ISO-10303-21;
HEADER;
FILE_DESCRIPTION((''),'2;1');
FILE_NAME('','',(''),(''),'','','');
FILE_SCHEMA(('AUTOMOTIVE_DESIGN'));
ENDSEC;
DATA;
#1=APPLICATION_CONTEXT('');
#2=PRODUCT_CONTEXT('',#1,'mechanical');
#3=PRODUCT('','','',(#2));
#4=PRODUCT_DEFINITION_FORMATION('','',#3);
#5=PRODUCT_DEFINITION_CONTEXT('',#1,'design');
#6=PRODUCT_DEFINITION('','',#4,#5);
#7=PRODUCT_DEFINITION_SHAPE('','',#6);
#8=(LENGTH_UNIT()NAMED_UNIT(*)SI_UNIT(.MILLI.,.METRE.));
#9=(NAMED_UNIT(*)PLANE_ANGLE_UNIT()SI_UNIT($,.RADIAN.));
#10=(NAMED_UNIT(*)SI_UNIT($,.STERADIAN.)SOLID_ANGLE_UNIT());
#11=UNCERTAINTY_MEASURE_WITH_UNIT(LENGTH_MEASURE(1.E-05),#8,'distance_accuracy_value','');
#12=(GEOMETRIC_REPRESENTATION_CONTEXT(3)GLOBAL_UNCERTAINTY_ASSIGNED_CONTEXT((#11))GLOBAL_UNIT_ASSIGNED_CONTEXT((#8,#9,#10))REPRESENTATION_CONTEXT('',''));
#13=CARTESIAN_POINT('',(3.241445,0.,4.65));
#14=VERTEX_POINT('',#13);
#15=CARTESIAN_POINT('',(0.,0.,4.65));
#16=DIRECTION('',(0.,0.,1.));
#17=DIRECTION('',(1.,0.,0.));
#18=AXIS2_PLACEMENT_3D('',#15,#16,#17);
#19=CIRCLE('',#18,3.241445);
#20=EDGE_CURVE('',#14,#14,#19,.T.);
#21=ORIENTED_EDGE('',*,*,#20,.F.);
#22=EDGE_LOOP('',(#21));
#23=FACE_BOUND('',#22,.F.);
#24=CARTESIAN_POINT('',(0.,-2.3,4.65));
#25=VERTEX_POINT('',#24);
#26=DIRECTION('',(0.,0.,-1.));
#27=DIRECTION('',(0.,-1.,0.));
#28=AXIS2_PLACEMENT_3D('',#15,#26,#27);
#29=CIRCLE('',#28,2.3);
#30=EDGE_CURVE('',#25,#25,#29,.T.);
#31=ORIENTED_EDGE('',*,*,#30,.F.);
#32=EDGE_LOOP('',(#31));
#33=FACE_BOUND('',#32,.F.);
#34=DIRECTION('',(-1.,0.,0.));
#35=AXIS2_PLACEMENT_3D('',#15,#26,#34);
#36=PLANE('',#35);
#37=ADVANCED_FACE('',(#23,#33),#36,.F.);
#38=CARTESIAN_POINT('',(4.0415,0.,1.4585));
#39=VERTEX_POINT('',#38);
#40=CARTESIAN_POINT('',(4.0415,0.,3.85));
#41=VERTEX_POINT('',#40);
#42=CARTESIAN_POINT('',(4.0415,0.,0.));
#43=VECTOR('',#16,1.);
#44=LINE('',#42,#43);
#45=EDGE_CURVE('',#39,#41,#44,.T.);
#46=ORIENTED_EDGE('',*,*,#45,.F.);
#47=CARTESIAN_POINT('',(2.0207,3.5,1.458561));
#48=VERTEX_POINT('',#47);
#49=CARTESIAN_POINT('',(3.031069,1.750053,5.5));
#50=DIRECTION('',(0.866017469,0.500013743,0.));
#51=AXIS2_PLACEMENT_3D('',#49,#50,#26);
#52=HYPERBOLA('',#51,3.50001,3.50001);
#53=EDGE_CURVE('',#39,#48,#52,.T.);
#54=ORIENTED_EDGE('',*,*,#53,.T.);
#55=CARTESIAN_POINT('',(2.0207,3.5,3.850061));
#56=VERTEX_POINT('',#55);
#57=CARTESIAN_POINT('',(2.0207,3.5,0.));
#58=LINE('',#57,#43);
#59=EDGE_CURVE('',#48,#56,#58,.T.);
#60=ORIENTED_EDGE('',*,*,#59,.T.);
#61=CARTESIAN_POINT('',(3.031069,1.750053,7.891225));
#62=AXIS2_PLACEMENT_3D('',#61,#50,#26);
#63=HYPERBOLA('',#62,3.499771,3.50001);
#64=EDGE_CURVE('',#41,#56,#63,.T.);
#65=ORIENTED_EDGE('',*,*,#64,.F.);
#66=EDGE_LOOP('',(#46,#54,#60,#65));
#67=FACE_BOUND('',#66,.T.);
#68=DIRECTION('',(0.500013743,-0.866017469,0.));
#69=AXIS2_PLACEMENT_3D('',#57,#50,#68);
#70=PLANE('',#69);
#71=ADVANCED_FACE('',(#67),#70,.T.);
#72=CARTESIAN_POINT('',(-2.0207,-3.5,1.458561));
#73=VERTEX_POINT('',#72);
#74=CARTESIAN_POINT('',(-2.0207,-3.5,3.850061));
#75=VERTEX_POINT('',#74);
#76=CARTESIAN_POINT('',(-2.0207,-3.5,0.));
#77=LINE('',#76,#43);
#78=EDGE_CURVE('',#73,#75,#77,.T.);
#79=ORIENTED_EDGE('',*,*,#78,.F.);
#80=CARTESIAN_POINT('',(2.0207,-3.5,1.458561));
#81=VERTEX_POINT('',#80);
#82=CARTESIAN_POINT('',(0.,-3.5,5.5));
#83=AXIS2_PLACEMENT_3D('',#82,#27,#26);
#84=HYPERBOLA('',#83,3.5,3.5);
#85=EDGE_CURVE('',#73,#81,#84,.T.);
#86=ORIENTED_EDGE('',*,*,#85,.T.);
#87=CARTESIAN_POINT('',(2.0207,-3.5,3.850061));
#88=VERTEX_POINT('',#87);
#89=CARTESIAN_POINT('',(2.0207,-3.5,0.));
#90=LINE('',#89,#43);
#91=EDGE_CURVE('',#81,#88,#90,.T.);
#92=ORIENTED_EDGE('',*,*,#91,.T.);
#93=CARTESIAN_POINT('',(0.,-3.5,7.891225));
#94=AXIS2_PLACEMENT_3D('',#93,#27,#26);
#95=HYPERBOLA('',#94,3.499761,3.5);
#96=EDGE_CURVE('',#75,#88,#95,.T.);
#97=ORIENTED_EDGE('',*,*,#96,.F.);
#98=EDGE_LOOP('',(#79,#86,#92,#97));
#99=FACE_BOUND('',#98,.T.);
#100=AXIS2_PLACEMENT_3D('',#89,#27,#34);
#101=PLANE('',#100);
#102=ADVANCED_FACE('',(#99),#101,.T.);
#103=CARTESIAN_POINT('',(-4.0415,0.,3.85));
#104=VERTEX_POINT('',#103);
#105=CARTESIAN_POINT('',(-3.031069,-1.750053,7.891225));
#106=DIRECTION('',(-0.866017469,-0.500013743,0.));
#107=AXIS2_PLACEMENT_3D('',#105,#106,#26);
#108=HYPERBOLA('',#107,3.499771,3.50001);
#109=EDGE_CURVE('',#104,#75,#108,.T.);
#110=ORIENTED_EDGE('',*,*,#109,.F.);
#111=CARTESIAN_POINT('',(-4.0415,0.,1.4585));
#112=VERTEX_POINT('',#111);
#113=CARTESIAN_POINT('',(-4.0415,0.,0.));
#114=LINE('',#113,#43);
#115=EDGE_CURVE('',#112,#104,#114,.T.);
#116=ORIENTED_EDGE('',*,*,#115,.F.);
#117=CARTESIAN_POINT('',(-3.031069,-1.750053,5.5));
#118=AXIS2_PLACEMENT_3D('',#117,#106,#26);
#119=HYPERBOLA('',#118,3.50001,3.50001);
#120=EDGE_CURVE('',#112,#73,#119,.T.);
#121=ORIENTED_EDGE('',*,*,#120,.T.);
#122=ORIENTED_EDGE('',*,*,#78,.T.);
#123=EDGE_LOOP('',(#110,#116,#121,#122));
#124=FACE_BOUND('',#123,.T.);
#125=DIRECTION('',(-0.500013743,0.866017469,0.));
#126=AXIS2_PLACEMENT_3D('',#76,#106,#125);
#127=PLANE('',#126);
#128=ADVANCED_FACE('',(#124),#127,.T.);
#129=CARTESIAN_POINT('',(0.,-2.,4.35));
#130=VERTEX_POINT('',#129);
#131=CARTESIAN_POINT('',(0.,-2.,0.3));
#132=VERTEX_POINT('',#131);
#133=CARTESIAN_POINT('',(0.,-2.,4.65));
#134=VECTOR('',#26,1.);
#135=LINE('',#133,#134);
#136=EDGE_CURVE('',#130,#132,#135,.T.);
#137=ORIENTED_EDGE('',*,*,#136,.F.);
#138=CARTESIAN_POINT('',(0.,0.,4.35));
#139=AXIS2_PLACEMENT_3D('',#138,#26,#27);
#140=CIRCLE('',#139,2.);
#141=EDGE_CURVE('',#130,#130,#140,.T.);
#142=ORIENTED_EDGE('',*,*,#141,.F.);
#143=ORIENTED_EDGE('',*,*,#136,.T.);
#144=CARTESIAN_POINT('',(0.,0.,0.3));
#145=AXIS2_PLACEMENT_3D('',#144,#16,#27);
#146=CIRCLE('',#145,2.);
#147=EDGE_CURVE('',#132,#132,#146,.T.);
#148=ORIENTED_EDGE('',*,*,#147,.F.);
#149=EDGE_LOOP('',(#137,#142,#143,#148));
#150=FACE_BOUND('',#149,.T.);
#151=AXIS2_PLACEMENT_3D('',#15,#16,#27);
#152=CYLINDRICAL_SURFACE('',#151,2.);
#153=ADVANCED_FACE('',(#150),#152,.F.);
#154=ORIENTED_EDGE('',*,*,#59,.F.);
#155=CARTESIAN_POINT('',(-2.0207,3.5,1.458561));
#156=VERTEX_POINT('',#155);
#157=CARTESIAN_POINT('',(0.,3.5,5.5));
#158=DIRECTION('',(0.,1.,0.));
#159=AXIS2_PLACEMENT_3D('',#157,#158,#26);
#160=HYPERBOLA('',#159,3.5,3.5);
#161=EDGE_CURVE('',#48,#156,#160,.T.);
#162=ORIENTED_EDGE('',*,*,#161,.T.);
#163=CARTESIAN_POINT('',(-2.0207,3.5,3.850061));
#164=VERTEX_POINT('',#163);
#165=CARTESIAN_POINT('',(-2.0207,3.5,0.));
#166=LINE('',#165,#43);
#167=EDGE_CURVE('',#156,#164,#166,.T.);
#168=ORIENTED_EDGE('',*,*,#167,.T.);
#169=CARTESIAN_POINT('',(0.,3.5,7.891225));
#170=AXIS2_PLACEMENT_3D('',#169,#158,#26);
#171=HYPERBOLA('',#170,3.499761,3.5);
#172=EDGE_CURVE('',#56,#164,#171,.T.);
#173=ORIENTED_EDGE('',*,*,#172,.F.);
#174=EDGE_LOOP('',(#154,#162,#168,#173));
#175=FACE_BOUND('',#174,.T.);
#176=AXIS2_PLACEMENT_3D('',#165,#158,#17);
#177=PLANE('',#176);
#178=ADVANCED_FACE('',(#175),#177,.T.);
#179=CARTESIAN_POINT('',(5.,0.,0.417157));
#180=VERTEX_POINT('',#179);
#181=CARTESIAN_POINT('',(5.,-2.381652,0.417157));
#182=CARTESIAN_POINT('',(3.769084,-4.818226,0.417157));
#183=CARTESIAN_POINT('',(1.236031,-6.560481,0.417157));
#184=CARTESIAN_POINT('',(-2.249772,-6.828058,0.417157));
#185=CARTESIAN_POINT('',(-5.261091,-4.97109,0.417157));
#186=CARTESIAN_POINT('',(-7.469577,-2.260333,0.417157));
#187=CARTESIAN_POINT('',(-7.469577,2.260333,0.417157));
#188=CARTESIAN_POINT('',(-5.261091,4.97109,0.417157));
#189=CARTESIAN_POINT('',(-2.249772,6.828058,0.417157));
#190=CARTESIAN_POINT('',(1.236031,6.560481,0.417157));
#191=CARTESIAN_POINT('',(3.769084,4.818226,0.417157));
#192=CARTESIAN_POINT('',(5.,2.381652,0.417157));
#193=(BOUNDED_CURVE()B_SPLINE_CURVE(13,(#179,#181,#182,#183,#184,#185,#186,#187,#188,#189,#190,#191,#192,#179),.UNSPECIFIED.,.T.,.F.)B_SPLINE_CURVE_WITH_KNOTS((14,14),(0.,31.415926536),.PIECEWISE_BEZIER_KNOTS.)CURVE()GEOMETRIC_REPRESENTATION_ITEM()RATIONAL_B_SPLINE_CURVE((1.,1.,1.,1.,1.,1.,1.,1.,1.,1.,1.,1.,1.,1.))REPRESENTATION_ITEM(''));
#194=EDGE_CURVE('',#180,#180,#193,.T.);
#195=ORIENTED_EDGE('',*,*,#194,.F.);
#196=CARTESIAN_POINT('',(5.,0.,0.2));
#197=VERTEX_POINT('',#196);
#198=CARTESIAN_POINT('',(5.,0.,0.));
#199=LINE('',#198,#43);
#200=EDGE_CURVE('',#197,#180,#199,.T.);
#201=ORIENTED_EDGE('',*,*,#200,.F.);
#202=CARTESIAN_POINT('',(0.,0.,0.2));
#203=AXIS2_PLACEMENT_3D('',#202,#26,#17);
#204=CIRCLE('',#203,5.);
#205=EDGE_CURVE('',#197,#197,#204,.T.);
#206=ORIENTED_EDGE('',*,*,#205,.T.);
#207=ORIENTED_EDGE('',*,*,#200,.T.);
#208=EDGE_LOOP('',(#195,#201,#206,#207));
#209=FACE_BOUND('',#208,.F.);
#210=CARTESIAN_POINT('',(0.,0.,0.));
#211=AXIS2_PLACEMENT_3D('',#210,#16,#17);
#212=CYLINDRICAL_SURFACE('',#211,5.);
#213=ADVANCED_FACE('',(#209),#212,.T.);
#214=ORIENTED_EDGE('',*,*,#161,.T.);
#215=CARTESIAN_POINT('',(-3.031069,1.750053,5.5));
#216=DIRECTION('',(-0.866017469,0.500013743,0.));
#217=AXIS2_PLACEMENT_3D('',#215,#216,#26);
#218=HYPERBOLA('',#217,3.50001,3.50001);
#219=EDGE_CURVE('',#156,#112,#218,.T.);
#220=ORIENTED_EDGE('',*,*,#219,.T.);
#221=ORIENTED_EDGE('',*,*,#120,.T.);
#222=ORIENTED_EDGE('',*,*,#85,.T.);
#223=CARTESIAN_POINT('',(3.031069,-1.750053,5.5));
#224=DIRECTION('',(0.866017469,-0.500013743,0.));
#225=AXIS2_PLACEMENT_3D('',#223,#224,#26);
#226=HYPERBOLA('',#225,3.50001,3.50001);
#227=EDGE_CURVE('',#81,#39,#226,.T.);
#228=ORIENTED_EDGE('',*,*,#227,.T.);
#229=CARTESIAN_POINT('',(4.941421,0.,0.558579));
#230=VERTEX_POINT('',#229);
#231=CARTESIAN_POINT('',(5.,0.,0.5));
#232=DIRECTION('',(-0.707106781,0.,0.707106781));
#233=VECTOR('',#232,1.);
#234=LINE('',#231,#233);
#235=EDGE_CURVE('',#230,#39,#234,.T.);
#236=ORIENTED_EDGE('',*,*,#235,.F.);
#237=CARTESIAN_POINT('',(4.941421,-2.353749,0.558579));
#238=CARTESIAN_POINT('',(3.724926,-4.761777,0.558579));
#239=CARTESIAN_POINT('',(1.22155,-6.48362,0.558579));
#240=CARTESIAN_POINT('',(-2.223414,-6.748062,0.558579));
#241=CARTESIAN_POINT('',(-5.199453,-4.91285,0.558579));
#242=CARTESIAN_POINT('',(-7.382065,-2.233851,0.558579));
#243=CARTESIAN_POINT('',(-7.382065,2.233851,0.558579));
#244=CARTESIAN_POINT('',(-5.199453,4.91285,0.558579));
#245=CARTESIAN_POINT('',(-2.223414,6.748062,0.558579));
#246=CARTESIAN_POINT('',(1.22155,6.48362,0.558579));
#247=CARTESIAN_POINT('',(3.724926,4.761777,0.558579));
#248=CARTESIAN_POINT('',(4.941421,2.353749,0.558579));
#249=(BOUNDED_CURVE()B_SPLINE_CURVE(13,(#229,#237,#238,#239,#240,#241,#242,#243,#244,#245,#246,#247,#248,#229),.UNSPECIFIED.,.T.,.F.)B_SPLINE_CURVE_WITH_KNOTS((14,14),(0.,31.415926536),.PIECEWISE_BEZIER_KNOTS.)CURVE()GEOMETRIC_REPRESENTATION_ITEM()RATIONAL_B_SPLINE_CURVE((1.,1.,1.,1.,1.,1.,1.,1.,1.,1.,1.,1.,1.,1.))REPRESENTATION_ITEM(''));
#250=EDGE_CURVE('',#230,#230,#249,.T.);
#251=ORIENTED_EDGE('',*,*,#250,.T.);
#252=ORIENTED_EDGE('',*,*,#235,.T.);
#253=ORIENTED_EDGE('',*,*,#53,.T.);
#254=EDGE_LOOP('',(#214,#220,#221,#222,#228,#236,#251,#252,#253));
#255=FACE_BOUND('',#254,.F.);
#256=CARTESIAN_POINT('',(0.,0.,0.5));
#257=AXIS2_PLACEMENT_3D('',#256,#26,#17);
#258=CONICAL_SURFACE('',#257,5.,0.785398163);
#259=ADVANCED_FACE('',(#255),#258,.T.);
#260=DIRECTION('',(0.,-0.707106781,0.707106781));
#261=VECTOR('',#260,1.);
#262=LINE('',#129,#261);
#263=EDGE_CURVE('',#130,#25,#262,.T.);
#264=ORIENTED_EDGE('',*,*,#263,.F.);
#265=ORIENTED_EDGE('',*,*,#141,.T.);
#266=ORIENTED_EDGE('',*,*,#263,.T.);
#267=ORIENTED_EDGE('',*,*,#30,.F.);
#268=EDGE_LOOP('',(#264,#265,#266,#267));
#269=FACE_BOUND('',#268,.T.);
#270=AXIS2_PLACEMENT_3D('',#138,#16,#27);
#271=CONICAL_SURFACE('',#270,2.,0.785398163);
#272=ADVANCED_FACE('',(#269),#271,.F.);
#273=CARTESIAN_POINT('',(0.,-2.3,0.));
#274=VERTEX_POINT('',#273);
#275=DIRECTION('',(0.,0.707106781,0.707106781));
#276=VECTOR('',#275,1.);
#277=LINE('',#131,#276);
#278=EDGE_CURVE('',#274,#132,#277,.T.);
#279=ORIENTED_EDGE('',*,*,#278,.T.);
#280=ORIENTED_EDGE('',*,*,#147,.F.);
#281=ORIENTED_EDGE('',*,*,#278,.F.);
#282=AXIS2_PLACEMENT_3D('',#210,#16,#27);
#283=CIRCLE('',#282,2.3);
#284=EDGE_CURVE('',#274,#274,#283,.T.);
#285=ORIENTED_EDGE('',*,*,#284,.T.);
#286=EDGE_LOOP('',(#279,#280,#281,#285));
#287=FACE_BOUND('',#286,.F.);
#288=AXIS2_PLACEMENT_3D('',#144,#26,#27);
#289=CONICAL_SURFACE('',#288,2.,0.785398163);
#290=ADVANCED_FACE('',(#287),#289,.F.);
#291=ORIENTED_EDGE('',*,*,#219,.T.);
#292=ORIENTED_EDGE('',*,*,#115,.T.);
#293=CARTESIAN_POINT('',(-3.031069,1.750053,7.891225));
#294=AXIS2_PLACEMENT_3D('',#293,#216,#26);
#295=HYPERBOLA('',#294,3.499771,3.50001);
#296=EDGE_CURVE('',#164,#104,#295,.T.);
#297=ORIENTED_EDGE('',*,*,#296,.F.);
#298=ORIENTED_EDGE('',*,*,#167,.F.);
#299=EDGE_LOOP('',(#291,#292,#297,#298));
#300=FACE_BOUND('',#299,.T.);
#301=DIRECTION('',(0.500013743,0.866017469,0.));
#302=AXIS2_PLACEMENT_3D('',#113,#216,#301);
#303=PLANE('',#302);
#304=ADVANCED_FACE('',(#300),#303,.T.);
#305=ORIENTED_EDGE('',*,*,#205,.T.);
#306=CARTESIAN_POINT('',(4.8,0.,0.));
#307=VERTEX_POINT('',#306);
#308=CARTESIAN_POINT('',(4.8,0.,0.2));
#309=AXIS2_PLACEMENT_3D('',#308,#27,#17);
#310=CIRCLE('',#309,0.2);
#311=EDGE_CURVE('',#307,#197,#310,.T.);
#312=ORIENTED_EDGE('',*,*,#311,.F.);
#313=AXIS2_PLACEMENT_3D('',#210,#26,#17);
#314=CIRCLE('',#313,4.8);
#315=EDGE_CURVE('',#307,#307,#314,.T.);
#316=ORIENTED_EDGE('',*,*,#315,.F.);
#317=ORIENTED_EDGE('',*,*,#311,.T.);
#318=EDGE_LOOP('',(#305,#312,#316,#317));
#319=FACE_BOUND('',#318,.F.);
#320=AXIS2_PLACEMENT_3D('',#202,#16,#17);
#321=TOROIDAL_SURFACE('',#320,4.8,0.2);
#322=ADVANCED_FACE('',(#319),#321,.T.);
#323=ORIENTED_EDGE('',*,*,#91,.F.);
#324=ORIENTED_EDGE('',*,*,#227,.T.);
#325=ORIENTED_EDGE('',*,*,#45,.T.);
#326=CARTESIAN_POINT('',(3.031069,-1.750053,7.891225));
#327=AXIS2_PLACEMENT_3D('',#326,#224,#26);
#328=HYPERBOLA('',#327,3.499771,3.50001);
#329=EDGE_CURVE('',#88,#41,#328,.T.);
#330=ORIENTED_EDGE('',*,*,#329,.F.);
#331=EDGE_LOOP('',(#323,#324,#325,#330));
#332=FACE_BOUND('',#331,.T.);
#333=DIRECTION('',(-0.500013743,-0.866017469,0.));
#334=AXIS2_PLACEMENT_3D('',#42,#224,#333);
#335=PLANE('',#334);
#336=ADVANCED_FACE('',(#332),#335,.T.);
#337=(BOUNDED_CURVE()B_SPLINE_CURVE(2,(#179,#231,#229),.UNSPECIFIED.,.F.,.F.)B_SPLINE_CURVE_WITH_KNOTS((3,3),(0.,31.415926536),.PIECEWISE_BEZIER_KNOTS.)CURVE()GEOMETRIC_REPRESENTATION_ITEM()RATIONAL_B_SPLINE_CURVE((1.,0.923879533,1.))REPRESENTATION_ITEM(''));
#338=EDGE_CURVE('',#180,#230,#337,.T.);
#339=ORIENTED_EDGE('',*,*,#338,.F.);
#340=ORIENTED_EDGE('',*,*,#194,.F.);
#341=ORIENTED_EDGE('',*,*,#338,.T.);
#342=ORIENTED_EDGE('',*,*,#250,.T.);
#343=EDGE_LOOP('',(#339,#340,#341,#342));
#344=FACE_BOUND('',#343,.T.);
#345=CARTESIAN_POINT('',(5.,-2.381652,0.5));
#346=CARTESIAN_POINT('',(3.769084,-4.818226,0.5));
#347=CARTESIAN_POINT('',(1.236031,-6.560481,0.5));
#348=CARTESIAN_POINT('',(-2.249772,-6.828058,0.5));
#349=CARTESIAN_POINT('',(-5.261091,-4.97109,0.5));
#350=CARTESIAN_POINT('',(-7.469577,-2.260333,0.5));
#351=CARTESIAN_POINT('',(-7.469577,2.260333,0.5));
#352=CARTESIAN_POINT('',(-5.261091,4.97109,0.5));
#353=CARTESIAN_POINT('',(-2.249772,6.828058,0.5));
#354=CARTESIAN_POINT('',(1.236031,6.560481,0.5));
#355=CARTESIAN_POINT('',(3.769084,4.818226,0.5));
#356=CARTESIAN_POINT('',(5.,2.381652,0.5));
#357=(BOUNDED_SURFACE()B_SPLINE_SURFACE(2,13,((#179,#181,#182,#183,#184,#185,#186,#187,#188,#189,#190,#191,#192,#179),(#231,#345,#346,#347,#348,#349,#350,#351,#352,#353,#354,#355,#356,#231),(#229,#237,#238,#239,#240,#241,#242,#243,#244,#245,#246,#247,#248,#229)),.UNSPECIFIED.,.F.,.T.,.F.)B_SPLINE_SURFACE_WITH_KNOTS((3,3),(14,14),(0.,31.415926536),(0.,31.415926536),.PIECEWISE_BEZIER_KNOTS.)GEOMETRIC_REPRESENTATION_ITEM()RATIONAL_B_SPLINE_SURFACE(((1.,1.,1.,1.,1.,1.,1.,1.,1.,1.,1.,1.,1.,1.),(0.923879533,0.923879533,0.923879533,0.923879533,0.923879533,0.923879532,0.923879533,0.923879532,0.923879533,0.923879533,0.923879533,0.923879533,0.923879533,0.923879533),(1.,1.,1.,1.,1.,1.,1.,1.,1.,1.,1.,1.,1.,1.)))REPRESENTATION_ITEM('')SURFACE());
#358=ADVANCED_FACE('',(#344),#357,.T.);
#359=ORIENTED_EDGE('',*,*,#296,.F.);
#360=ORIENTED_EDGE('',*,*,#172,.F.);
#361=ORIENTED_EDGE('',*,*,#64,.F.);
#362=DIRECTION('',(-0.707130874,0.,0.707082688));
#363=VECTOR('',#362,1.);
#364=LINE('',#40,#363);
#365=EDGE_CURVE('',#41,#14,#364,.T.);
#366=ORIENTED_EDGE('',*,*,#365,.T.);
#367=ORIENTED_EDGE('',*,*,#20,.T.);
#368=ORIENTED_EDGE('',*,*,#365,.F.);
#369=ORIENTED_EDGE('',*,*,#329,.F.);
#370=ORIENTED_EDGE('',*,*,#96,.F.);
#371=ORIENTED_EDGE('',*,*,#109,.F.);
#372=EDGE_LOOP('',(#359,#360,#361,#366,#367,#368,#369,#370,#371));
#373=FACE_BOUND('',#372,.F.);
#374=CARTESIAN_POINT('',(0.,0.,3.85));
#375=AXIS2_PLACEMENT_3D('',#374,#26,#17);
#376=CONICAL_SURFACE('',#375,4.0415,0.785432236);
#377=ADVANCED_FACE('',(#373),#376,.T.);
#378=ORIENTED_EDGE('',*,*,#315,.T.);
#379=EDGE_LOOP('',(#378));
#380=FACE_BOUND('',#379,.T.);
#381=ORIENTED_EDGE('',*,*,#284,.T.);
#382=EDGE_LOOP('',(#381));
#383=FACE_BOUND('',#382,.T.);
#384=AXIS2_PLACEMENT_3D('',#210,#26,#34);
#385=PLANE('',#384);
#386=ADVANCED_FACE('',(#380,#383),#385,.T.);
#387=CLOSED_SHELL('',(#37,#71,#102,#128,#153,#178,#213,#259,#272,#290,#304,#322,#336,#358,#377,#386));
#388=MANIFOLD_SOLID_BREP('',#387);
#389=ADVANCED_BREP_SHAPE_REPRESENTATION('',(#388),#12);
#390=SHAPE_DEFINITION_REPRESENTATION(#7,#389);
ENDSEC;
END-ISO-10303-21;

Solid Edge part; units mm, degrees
sketch "Sketch1" plane through (0, 0, 0) normal (0, 0, 1) x (1, 0, 0)
  line L0 (-2.0207, 3.5) -> (2.0207, 3.5)
  line L1 (2.0207, 3.5) -> (4.0415, 0)
  line L2 (4.0415, 0) -> (2.0207, -3.5)
  line L3 (2.0207, -3.5) -> (-2.0207, -3.5)
  line L4 (-2.0207, -3.5) -> (-4.0415, 0)
  line L5 (-4.0415, 0) -> (-2.0207, 3.5)
  dimension "D1" = 7
extrude "Protrusion1" add sketch "Sketch1" along normal blind 4.65
sketch "Sketch2" plane through (0, 0, 0) normal (0, -1, 0) x (1, 0, 0)
  line L0 (4.0415, 3.85) -> (2.574, 5.3174)
  line L1 (2.574, 5.3174) -> (4.6962, 5.3174)
  line L2 (4.6962, 5.3174) -> (4.6962, 3.85)
  line L3 (4.6962, 3.85) -> (4.0415, 3.85)
  dimension "D1" = 0.8
revolve "RevolvedCutout1" cut sketch "Sketch2" angle 360 about axis through (0, 0, 54) along (0, 0, -1)
sketch "Sketch3" plane through (0, 0, 0) normal (0, -1, 0) x (1, 0, 0)
  line L0 (0, 0) -> (5, 0)
  line L1 (5, 0) -> (5, 0.5)
  line L2 (5, 0.5) -> (2.7639, 2.7361)
  line L3 (2.7639, 2.7361) -> (0, 2.7361)
  line L4 (0, 2.7361) -> (0, 0)
  dimension "D1" = 5
  dimension "D2" = 0.5
revolve "RevolvedProtrusion1" add sketch "Sketch3" angle 360 about axis through (0, 0, 54) along (0, 0, -1)
fillet "Verrundung_1" radius 0.2 2 edges at (-5, 0, 0.5) (-5, 0, 0)
hole "Bohrung_1" at (0, 0, 4.65) direction (0, 0, -1) diameter 4 end through all
chamfer "Fase_1" distance 0.3 angle 45 2 edges at (0, 2, 4.65) (2, 0, 0)
